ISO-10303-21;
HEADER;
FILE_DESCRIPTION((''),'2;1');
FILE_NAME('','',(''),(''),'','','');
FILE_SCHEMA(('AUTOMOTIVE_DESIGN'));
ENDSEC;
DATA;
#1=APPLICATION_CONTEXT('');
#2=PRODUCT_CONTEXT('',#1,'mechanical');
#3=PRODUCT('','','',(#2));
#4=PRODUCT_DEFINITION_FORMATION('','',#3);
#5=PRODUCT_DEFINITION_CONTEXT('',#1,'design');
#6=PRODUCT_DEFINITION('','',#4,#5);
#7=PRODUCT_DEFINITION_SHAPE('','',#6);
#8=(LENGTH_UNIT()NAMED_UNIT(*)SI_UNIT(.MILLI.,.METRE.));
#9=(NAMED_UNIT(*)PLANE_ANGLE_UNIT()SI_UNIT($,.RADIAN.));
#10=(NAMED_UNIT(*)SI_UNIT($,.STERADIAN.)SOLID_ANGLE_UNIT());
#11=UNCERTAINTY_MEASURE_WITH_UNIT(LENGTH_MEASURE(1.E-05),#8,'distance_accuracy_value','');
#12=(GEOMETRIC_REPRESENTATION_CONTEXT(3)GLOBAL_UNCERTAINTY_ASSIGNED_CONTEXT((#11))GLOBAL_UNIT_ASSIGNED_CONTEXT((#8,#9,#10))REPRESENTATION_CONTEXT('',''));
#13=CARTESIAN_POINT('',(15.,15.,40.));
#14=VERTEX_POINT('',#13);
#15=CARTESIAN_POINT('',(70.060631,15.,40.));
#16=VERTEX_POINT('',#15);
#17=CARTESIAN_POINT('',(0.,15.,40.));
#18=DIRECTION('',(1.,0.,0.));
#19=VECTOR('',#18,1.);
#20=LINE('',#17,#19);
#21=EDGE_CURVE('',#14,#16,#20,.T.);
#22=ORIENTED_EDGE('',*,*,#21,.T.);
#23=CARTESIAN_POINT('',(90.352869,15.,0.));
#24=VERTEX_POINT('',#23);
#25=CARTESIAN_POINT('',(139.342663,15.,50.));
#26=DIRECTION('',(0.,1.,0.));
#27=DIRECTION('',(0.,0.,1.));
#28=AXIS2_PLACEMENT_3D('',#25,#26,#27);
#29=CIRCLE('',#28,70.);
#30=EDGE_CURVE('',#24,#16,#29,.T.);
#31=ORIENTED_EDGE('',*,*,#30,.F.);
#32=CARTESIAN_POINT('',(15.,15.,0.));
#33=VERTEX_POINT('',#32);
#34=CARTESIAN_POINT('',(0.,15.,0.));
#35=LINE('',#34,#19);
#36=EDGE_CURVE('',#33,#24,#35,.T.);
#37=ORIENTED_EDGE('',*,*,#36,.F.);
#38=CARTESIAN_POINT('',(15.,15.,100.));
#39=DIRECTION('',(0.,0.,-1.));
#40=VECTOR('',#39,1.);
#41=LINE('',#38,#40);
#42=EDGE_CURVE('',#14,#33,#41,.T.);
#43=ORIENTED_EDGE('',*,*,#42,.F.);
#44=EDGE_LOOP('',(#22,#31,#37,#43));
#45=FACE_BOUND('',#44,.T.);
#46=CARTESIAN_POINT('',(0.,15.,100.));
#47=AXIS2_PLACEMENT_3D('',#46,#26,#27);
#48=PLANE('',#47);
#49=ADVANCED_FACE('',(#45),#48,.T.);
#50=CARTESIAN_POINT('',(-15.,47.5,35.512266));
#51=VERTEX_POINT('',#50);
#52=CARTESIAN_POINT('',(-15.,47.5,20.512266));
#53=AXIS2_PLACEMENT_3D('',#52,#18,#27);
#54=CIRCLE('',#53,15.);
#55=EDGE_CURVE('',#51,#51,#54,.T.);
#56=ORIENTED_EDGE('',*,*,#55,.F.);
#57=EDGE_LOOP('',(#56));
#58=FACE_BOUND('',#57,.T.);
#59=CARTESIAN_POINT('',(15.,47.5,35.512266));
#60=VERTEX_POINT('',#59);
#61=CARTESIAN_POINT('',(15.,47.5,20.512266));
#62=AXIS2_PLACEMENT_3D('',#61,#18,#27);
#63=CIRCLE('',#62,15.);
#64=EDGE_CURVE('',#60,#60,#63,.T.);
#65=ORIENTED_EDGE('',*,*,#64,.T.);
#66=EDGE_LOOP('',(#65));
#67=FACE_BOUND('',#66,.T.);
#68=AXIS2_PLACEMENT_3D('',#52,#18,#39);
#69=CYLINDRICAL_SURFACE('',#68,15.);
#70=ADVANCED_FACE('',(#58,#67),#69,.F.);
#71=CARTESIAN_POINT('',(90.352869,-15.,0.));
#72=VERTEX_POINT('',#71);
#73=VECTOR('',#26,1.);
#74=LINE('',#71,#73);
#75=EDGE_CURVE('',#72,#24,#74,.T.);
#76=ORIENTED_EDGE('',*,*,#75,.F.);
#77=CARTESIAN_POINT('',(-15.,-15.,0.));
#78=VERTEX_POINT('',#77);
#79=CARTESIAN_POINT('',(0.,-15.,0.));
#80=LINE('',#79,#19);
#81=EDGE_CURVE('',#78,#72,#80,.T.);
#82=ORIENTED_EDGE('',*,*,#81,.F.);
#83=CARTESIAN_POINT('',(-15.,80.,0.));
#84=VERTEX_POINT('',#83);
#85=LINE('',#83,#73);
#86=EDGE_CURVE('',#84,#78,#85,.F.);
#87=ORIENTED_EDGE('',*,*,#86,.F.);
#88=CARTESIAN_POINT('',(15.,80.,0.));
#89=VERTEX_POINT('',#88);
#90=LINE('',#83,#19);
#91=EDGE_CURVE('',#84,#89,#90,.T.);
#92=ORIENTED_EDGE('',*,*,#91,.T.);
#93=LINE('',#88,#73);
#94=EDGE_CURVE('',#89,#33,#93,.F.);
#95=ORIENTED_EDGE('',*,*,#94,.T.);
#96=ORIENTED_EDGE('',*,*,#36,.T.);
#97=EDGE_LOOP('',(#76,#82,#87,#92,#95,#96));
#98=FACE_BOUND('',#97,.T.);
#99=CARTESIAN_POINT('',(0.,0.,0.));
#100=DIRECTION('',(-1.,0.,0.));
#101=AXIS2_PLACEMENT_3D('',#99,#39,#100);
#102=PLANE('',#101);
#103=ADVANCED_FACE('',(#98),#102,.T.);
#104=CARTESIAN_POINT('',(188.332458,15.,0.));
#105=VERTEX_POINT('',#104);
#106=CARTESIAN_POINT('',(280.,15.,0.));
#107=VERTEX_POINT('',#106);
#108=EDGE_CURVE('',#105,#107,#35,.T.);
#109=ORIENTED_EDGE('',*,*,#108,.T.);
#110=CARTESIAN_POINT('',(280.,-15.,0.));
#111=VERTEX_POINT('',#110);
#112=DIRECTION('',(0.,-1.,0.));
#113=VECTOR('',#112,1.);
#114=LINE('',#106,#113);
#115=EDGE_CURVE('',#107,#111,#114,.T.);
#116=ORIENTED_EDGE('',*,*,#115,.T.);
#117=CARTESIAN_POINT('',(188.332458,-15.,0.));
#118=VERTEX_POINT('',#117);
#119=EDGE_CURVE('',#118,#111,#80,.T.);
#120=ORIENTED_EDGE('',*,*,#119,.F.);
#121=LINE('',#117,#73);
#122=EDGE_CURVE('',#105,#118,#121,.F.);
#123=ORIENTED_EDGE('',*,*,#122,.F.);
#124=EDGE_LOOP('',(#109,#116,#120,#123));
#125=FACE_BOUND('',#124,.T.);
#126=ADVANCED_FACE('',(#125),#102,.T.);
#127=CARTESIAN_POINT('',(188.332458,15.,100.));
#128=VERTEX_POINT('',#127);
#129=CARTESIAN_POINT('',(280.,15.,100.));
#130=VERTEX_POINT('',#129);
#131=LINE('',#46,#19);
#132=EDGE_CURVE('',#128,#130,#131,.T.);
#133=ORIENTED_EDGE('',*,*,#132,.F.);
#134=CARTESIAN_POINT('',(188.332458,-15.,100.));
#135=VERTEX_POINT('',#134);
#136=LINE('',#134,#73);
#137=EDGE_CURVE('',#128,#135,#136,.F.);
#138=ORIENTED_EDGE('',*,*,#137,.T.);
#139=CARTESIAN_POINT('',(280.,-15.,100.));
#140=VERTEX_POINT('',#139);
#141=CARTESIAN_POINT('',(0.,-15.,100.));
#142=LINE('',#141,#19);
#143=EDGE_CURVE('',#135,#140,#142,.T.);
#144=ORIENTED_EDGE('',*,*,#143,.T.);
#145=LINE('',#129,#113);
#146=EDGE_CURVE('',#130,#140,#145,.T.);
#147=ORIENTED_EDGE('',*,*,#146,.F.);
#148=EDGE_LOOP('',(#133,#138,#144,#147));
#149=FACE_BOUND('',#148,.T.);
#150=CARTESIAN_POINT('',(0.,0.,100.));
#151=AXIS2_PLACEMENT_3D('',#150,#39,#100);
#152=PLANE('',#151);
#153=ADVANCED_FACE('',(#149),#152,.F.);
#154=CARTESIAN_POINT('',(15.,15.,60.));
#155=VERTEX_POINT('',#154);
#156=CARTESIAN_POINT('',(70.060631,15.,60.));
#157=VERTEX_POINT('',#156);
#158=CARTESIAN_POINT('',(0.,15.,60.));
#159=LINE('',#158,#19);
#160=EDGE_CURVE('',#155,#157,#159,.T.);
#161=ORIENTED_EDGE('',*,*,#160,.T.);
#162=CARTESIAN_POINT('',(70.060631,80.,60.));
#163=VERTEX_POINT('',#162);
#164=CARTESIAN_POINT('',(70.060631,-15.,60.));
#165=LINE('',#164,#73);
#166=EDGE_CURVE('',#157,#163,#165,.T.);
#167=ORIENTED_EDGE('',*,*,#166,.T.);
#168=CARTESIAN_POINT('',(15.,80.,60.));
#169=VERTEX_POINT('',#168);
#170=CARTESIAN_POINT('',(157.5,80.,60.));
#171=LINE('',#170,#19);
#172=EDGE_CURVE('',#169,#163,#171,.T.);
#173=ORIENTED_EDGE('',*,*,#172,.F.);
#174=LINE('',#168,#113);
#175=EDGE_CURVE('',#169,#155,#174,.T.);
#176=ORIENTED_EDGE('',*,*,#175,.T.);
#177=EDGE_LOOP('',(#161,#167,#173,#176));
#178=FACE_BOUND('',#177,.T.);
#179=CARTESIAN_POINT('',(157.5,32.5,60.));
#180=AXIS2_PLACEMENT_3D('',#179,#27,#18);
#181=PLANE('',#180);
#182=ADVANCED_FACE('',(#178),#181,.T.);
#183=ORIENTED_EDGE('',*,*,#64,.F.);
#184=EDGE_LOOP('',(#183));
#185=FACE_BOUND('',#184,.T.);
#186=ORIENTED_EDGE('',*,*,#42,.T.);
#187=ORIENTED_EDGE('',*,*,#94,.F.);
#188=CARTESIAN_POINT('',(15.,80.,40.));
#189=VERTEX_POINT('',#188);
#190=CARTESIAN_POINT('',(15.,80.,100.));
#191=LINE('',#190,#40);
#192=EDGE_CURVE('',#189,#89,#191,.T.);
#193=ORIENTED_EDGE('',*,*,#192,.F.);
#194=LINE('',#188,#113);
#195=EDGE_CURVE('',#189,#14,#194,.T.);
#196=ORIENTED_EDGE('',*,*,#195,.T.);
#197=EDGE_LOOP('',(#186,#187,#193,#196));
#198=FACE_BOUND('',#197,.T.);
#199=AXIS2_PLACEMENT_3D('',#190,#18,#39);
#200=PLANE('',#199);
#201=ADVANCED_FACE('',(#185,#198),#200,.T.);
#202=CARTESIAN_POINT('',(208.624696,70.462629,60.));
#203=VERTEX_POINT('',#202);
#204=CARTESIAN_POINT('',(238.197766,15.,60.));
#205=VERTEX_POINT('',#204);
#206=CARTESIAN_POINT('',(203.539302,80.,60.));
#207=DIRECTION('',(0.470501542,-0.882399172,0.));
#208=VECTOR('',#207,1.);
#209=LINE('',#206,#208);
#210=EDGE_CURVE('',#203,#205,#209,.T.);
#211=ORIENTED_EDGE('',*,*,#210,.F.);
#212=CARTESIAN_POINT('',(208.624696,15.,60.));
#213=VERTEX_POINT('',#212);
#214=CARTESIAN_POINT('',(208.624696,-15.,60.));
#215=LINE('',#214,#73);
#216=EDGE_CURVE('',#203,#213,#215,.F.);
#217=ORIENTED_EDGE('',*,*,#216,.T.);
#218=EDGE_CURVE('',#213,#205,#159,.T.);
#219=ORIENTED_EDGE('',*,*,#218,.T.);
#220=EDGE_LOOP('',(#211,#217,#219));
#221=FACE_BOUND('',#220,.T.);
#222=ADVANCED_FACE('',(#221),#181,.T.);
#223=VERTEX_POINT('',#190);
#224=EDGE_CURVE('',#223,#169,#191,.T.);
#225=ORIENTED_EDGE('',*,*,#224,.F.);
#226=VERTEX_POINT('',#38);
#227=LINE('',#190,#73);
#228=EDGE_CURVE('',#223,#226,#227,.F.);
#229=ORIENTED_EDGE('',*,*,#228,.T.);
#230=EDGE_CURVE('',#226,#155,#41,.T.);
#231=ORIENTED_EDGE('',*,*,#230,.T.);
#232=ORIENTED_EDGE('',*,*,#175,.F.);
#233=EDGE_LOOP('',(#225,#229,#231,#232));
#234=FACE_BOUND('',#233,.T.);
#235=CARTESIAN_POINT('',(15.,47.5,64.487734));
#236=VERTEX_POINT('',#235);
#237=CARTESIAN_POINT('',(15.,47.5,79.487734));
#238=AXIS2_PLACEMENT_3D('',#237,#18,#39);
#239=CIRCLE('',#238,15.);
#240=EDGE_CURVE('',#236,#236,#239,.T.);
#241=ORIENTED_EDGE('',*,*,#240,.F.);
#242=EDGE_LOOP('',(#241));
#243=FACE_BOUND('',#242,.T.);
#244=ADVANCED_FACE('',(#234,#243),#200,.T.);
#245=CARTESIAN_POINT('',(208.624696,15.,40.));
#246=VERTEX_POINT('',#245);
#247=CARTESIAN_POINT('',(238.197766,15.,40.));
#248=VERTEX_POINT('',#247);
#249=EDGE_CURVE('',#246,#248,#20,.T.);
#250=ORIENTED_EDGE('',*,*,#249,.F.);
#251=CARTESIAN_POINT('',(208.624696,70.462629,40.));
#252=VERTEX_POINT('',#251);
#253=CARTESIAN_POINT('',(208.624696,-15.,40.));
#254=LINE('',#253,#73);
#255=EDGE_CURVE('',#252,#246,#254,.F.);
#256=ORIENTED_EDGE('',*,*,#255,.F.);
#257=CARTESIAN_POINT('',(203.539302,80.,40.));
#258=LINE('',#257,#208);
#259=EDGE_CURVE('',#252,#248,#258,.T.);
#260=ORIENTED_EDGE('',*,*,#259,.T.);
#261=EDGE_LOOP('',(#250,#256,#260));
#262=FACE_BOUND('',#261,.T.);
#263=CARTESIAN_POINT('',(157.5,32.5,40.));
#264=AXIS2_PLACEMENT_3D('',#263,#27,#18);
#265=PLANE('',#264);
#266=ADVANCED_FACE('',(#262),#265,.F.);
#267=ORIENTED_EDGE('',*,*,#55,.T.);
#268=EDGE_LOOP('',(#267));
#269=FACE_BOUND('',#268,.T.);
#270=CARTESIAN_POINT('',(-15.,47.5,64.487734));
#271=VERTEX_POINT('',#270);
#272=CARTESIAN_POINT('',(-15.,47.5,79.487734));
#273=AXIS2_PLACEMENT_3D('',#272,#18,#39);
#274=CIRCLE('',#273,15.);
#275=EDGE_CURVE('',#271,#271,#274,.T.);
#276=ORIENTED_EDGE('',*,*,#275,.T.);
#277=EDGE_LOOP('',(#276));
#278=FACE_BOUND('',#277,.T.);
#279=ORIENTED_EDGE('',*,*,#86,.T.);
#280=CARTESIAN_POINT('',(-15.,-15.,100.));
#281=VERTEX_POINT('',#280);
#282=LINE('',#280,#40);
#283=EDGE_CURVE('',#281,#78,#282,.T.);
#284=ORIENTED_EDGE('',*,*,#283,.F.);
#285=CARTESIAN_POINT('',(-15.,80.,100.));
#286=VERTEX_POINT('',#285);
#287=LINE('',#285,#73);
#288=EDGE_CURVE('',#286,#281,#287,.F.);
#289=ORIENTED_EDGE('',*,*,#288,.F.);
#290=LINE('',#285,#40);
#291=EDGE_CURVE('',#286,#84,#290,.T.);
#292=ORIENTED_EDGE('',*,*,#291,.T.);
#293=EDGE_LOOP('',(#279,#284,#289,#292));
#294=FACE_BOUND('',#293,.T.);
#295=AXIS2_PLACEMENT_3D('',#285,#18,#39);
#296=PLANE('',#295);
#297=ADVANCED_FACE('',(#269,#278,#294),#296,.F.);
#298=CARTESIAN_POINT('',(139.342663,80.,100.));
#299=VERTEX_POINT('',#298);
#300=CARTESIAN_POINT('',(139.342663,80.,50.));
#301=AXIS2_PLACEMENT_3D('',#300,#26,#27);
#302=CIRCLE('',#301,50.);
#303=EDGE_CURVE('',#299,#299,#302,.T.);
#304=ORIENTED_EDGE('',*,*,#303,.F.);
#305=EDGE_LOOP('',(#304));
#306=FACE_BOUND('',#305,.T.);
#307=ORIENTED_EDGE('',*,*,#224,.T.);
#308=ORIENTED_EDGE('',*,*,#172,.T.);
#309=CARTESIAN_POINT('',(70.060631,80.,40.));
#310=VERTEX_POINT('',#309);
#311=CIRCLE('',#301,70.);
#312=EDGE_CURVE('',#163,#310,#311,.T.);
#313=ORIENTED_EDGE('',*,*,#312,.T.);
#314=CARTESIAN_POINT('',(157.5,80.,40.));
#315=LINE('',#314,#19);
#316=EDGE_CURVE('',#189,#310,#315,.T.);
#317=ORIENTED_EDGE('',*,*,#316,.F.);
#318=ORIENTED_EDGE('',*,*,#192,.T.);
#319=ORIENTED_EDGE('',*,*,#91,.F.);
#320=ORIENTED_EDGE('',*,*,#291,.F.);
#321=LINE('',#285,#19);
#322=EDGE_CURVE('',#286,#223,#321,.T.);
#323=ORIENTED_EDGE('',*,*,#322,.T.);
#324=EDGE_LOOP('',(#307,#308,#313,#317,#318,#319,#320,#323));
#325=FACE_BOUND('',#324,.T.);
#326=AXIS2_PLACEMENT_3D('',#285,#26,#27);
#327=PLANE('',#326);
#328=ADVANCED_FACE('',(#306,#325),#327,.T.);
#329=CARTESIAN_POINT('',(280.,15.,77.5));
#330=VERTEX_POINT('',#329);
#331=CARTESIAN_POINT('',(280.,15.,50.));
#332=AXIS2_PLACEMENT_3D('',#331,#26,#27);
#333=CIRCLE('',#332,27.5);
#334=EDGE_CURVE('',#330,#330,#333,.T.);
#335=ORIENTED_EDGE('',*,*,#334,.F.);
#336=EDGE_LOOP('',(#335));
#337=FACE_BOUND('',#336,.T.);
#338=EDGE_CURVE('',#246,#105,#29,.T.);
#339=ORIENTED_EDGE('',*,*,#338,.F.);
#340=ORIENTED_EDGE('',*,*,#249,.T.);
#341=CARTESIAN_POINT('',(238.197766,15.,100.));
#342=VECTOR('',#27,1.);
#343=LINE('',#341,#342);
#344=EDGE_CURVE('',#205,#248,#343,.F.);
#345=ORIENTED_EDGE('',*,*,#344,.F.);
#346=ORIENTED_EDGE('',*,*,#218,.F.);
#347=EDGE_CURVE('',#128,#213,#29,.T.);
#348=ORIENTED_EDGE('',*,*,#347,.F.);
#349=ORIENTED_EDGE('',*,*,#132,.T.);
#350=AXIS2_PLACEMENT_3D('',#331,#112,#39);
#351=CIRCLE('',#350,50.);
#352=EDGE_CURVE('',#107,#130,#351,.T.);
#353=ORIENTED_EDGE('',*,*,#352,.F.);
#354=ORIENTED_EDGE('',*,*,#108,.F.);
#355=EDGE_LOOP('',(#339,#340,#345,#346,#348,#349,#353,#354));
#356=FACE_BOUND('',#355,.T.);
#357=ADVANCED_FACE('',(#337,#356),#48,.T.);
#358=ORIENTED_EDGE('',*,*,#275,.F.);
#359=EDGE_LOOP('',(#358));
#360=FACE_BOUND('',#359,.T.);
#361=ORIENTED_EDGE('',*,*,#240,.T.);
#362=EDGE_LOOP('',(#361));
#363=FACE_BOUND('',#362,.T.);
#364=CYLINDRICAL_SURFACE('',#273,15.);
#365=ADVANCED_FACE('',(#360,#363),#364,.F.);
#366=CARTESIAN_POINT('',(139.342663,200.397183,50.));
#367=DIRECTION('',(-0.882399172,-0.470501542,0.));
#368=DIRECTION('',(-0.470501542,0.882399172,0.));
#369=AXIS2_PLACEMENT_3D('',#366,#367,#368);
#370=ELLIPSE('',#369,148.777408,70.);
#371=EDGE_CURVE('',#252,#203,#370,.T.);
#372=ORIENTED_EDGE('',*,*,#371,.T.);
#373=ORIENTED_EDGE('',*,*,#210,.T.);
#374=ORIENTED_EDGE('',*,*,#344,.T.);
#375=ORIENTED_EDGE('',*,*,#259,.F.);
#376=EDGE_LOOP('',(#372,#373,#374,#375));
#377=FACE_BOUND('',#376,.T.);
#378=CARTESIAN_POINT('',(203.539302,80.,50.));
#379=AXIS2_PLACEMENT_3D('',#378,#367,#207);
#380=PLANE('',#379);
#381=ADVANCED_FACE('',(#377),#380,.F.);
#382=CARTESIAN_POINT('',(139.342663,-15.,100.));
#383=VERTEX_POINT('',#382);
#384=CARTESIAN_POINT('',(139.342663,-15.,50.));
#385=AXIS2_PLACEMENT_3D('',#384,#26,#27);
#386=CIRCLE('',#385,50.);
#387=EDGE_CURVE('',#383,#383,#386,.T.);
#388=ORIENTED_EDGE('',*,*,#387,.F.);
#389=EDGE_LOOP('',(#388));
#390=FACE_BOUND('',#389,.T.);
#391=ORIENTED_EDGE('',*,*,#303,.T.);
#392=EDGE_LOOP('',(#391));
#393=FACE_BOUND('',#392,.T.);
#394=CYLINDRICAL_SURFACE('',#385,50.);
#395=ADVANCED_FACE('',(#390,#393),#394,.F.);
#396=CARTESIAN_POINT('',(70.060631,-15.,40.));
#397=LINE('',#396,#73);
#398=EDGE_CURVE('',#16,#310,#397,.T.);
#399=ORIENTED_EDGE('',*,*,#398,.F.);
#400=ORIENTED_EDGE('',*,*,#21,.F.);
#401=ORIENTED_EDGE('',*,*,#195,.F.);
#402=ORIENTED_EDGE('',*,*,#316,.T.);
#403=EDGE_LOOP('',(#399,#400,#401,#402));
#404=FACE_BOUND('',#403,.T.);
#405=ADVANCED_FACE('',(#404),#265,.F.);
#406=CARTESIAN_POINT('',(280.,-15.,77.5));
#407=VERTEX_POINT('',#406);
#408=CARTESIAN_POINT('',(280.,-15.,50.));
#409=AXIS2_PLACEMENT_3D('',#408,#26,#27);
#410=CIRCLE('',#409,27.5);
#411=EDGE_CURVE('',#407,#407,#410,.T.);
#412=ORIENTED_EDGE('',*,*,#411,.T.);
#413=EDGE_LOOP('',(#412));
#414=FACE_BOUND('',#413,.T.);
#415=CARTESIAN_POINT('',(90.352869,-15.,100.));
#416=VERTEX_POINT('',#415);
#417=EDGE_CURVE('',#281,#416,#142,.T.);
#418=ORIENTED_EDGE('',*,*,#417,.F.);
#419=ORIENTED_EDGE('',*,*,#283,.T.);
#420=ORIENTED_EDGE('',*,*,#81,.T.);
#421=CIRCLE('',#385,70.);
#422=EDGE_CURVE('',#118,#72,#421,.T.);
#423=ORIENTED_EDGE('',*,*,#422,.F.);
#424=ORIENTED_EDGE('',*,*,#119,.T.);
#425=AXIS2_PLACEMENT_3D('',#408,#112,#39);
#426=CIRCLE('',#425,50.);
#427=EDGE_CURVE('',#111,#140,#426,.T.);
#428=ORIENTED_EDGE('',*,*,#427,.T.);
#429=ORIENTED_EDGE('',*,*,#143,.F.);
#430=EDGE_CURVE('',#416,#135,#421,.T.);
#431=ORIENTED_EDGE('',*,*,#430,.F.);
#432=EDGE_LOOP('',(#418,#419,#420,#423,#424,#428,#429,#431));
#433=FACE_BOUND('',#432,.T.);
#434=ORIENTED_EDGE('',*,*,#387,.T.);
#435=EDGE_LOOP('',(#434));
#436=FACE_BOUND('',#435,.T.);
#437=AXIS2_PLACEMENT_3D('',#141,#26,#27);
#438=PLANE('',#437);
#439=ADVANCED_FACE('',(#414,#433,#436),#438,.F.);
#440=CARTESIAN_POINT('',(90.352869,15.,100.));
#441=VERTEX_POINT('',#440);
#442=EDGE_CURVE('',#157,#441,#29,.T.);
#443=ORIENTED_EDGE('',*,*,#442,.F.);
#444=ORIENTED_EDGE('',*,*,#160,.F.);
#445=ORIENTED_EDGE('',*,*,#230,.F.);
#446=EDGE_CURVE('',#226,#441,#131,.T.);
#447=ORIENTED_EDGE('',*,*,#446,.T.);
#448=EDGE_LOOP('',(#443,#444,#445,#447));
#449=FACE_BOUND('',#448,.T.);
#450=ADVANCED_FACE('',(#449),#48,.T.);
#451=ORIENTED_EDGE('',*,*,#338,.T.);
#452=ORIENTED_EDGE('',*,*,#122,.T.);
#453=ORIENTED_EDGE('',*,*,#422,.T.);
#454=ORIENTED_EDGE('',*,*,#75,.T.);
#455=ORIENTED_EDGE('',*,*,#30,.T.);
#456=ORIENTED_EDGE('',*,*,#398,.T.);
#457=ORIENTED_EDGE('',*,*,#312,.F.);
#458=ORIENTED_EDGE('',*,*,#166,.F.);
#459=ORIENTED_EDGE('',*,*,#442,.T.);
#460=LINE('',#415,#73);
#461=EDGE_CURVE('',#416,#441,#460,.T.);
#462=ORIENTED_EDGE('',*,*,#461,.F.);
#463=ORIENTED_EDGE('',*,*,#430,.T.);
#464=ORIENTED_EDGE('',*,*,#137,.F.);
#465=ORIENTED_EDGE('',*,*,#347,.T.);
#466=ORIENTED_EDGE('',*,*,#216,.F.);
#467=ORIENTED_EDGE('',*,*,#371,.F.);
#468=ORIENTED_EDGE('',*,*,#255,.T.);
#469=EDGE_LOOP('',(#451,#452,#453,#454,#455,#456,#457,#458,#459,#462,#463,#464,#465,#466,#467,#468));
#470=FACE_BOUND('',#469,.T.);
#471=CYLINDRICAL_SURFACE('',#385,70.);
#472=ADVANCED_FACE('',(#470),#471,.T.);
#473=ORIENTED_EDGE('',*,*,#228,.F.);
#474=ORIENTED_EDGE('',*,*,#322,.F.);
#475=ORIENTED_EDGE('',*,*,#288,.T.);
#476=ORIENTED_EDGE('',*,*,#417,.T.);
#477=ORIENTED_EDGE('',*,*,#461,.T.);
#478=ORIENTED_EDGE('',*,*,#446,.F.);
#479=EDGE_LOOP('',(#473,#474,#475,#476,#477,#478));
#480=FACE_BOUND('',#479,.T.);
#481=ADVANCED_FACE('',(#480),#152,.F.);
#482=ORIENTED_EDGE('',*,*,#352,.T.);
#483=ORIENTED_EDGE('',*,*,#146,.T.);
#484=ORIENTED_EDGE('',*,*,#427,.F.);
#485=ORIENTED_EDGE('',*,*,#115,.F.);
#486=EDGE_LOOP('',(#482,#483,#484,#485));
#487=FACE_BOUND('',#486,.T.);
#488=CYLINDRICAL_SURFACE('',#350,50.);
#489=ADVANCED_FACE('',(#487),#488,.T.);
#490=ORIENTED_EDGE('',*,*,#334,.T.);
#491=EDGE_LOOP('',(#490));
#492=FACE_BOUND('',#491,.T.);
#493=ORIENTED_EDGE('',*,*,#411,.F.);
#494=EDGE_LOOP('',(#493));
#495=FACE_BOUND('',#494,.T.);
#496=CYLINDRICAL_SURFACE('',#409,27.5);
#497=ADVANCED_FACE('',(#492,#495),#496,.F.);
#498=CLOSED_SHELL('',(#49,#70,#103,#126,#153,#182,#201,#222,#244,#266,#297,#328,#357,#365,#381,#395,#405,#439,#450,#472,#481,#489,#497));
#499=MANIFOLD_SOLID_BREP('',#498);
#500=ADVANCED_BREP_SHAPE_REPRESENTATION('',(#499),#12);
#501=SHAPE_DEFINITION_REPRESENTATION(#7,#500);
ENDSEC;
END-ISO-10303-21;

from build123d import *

# Parameters (mm, degrees)
EXTRUDE_THIN1_DEPTH      = 100
SKETCH2_W                = 50
SKETCH2_H                = 30
REVOLVE1_ANGLE           = 180
SKETCH3_R                = 27.5
CUT_EXTRUDE1_DEPTH       = 351.89172119
CUT_EXTRUDE1_DEPTH_BACK  = 351.89172119
SKETCH4_R                = 70
BOSS_EXTRUDE1_DEPTH      = 65
BOSS_EXTRUDE1_DEPTH_BACK = 30
SKETCH5_R                = 50
CUT_EXTRUDE2_DEPTH       = 364.765034054
SKETCH6_R                = 15
CUT_EXTRUDE3_DEPTH       = 347.446244026
RIB1_REACH               = 348.699
SKETCH8_WALL_W           = 749.740096374
SKETCH8_WALL_H           = 20
RIB23_REACH              = 348.699
SKETCH15_WALL_W          = 778.361425474
SKETCH15_WALL_H          = 20


with BuildPart() as part:
    # Sketch1 → Extrude-Thin1 (new body)
    with BuildSketch(Plane.XY):
        Polygon((-15, 80), (-15, -15), (280, -15), (280, 15), (15, 15), (15, 80), align=None)
    extrude(amount=EXTRUDE_THIN1_DEPTH)

    # Sketch2 → Revolve1 (revolve)
    with BuildSketch(Plane(origin=(280, 0, 0), x_dir=(0, 0, -1), z_dir=(1, 0, 0))):
        with Locations((-75, 0)):
            Rectangle(SKETCH2_W, SKETCH2_H)
    revolve(axis=Axis((280, 15, 50), (0, 1, 0)), revolution_arc=REVOLVE1_ANGLE)

    # Sketch3 → Cut-Extrude1 (cut, two sides)
    with BuildSketch(Plane(origin=(0, 15, 0), x_dir=(1, 0, 0), z_dir=(0, 1, 0))) as cut_extrude1_sk:
        with Locations(Location((280, -50, 0), (0, 0, 270))):
            Circle(SKETCH3_R)
    extrude(amount=CUT_EXTRUDE1_DEPTH, mode=Mode.SUBTRACT)
    extrude(cut_extrude1_sk.sketch, amount=-CUT_EXTRUDE1_DEPTH_BACK, mode=Mode.SUBTRACT)

    # Sketch4 → Boss-Extrude1 (add, two sides)
    with BuildSketch(Plane(origin=(0, 15, 0), x_dir=(1, 0, 0), z_dir=(0, 1, 0))) as boss_extrude1_sk:
        with Locations(Location((139.34266344, -50, 0), (0, 0, 270))):
            Circle(SKETCH4_R)
    extrude(amount=BOSS_EXTRUDE1_DEPTH)
    extrude(boss_extrude1_sk.sketch, amount=-BOSS_EXTRUDE1_DEPTH_BACK)

    # Sketch5 → Cut-Extrude2 (cut, through all)
    with BuildSketch(Plane(origin=(0, 80, 0), x_dir=(1, 0, 0), z_dir=(0, 1, 0))):
        with Locations(Location((139.34266344, -50, 0), (0, 0, 270))):
            Circle(SKETCH5_R)
    extrude(amount=-CUT_EXTRUDE2_DEPTH, mode=Mode.SUBTRACT)

    # Sketch6 → Cut-Extrude3 (cut, through all)
    with BuildSketch(Plane(origin=(15, 0, 0), x_dir=(0, 0, -1), z_dir=(1, 0, 0))):
        with Locations((-79.487733911, 47.5)):
            Circle(SKETCH6_R)
        with Locations(Location((-20.512266089, 47.5, 0), (0, 0, 180))):
            Circle(SKETCH6_R)
    extrude(amount=-CUT_EXTRUDE3_DEPTH, mode=Mode.SUBTRACT)

    # Sketch8 wall → Rib1 (add, up to next)
    with BuildSketch(Plane(origin=(42.17133172, 80, 50), x_dir=(1, 0, 0), z_dir=(0, 1, 0)), mode=Mode.PRIVATE) as rib1_sk1:
        Rectangle(SKETCH8_WALL_W, SKETCH8_WALL_H)
    rib1_tool1 = extrude(rib1_sk1.sketch, amount=-RIB1_REACH, mode=Mode.PRIVATE) - part.part
    add(rib1_tool1.solids().sort_by_distance((42.17133172, 80, 50))[0])

    # Sketch15 wall → Rib23 (add, up to next)
    with BuildSketch(Plane(origin=(223.056644771, 43.396320835, 50), x_dir=(0.470501542113, -0.88239917207, 0), z_dir=(0.88239917207, 0.470501542113, 0)), mode=Mode.PRIVATE) as rib23_sk1:
        Rectangle(SKETCH15_WALL_W, SKETCH15_WALL_H)
    rib23_tool1 = extrude(rib23_sk1.sketch, amount=-RIB23_REACH, mode=Mode.PRIVATE) - part.part
    add(rib23_tool1.solids().sort_by_distance((223.056644771, 43.396320835, 50))[0])


solid = part.part
